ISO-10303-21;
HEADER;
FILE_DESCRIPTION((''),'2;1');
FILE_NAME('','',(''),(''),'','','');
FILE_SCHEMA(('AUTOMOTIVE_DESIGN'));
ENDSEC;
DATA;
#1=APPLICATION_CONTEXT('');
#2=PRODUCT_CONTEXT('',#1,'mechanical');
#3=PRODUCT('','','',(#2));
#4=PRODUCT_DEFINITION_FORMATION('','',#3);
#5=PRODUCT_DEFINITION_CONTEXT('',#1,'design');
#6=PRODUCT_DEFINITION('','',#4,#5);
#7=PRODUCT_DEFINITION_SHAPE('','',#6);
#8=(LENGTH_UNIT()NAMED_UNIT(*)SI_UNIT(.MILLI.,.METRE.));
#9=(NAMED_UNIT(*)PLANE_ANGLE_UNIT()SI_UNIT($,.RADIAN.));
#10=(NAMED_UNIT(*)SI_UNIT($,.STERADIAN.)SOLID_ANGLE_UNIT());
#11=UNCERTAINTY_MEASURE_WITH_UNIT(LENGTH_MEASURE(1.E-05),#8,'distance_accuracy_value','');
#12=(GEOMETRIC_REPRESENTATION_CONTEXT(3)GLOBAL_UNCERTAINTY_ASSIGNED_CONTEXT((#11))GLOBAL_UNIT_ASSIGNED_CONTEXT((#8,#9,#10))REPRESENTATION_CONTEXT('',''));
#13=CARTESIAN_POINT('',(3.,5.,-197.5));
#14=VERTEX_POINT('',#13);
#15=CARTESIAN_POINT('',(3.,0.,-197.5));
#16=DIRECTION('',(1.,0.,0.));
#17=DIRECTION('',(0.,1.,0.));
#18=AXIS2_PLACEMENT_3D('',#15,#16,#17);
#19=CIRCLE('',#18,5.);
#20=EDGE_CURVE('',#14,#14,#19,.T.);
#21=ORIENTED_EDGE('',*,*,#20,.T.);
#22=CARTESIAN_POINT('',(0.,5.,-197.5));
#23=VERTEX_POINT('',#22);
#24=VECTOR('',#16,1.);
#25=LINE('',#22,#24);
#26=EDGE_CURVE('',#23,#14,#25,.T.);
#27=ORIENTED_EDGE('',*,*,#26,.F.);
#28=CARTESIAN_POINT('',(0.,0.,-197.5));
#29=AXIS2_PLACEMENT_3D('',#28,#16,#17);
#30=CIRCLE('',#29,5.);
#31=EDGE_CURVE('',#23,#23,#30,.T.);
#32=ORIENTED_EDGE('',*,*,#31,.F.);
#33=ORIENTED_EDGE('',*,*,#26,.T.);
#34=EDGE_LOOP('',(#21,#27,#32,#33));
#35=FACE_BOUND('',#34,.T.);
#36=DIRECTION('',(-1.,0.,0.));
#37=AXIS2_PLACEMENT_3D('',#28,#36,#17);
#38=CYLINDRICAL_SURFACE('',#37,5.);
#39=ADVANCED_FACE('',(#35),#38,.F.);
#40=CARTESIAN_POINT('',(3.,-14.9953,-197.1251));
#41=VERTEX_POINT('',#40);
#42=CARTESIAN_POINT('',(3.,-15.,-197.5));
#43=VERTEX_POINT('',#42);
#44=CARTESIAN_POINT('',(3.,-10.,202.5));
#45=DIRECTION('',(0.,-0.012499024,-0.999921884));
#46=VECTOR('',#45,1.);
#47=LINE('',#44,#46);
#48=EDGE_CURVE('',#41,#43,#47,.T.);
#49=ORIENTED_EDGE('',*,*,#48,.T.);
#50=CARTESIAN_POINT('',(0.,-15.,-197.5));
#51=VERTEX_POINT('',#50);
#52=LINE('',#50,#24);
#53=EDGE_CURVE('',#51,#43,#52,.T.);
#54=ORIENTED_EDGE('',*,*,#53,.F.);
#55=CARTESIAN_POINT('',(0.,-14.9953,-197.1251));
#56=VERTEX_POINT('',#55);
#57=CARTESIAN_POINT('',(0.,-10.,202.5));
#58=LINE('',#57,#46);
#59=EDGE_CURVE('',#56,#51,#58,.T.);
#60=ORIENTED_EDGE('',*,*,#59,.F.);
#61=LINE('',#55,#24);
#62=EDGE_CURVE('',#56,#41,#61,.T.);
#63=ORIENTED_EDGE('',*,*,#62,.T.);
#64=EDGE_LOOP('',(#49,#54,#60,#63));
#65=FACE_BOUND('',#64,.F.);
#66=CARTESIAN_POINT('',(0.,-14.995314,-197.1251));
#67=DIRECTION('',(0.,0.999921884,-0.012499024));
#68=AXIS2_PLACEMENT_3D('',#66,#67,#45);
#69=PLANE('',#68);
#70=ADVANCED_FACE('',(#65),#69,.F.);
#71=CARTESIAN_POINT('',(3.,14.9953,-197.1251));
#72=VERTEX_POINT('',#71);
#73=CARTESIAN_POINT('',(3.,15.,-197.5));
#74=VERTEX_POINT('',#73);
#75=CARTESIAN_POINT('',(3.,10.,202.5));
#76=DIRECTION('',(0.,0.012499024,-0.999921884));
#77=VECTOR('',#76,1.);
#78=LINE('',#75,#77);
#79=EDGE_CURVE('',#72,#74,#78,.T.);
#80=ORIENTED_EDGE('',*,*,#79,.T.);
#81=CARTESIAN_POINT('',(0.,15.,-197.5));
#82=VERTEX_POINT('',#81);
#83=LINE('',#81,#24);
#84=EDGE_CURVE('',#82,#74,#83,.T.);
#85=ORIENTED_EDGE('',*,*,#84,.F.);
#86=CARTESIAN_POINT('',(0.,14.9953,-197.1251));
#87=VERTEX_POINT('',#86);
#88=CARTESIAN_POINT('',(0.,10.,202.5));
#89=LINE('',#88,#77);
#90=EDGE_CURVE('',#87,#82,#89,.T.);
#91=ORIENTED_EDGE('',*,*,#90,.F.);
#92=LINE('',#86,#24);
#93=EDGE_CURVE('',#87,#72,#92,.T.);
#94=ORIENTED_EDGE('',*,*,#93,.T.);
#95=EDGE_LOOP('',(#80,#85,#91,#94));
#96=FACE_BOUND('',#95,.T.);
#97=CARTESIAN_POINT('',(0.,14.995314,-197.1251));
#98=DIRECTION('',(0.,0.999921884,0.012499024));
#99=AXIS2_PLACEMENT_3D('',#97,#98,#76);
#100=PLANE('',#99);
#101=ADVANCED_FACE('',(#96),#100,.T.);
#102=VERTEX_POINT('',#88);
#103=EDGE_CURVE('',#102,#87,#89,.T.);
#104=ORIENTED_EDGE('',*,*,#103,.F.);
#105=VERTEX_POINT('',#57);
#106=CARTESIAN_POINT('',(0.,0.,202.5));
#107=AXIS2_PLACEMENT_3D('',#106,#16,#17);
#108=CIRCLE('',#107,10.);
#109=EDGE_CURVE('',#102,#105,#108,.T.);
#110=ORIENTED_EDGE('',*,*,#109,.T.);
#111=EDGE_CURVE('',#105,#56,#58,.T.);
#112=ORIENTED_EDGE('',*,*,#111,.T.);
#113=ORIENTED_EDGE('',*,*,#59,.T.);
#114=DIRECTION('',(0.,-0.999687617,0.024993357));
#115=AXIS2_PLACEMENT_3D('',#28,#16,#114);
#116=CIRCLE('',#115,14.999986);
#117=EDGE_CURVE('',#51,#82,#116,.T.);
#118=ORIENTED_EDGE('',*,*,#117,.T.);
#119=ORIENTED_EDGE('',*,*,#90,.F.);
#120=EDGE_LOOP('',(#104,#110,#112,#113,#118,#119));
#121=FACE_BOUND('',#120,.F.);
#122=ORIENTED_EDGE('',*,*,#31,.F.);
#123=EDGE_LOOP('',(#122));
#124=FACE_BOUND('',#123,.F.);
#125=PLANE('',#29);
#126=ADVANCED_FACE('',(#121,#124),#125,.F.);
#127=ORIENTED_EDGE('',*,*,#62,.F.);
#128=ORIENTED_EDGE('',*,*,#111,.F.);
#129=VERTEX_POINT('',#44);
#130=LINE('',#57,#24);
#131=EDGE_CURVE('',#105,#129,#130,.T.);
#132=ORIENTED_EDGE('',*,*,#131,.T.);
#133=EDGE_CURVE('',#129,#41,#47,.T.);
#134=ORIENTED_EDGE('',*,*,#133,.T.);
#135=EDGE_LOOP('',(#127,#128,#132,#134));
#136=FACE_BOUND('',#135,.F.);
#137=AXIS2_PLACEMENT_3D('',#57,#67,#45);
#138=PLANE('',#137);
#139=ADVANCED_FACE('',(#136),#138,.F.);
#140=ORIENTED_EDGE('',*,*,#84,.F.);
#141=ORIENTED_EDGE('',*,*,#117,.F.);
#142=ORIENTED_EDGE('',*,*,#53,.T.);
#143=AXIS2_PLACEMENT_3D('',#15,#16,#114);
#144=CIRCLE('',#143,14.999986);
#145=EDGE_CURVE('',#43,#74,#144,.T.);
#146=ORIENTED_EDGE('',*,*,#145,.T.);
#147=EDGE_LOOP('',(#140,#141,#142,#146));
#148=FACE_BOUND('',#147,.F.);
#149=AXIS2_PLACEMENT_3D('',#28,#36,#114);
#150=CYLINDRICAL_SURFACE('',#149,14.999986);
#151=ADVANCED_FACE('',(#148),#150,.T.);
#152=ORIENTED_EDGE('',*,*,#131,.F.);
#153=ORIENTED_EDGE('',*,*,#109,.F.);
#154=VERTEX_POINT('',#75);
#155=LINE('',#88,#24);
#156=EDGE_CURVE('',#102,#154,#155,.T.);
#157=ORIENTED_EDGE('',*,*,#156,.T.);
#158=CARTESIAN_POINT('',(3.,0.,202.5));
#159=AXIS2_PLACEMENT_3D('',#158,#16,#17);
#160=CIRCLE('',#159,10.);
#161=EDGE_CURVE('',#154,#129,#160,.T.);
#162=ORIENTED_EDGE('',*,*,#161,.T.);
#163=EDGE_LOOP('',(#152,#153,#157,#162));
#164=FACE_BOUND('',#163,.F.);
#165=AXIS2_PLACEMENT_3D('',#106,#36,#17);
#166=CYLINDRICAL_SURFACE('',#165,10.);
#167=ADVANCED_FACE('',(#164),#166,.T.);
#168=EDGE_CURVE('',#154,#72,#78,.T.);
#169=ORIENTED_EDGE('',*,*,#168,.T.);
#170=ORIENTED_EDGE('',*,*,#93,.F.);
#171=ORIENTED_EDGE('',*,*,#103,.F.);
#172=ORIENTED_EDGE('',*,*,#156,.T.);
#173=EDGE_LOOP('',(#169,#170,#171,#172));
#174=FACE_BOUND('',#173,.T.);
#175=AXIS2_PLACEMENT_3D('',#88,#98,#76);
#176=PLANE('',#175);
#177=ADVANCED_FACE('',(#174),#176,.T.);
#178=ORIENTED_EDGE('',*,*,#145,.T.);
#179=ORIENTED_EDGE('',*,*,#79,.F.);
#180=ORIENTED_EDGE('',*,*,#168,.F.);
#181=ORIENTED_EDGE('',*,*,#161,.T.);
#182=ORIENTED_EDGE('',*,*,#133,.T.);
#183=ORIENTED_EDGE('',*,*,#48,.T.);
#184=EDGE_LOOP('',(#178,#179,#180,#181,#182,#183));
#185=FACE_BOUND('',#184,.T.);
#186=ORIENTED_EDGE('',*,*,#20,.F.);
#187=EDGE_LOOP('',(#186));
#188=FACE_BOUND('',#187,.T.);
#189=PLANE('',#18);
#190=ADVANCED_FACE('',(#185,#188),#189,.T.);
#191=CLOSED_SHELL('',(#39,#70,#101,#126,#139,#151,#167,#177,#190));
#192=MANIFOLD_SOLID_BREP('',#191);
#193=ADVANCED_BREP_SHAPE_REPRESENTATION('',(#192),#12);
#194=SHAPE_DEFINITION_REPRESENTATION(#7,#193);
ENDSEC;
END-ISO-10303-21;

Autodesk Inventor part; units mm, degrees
ref_plane "YZ Plane" through (0, 0, 0) normal (1, 0, 0) x (0, 1, 0)
ref_plane "XZ Plane" through (0, 0, 0) normal (0, 1, 0) x (-1, 0, 0)
ref_plane "XY Plane" through (0, 0, 0) normal (0, 0, 1) x (1, 0, 0)
sketch "Boceto1" plane through (0, 0, -197.5) normal (1, 0, 0) x (0, 1, 0)
  arc A0 (10, 400) -> (-10, 400) centre (0, 400) ccw
  line L0 (-10, 400) -> (-15, 0)
  line L1 (10, 400) -> (15, 0)
  arc A1 (-14.9953, 0.3749) -> (14.9953, 0.3749) centre (0, 0) ccw
  circle A2 centre (0, 0) radius 5
  dimension "d1" = 20
  dimension "d0" = 10
extrude "Extrusión1" add sketch "Boceto1" along normal blind 3
properties part number "BrazoPalanca"
